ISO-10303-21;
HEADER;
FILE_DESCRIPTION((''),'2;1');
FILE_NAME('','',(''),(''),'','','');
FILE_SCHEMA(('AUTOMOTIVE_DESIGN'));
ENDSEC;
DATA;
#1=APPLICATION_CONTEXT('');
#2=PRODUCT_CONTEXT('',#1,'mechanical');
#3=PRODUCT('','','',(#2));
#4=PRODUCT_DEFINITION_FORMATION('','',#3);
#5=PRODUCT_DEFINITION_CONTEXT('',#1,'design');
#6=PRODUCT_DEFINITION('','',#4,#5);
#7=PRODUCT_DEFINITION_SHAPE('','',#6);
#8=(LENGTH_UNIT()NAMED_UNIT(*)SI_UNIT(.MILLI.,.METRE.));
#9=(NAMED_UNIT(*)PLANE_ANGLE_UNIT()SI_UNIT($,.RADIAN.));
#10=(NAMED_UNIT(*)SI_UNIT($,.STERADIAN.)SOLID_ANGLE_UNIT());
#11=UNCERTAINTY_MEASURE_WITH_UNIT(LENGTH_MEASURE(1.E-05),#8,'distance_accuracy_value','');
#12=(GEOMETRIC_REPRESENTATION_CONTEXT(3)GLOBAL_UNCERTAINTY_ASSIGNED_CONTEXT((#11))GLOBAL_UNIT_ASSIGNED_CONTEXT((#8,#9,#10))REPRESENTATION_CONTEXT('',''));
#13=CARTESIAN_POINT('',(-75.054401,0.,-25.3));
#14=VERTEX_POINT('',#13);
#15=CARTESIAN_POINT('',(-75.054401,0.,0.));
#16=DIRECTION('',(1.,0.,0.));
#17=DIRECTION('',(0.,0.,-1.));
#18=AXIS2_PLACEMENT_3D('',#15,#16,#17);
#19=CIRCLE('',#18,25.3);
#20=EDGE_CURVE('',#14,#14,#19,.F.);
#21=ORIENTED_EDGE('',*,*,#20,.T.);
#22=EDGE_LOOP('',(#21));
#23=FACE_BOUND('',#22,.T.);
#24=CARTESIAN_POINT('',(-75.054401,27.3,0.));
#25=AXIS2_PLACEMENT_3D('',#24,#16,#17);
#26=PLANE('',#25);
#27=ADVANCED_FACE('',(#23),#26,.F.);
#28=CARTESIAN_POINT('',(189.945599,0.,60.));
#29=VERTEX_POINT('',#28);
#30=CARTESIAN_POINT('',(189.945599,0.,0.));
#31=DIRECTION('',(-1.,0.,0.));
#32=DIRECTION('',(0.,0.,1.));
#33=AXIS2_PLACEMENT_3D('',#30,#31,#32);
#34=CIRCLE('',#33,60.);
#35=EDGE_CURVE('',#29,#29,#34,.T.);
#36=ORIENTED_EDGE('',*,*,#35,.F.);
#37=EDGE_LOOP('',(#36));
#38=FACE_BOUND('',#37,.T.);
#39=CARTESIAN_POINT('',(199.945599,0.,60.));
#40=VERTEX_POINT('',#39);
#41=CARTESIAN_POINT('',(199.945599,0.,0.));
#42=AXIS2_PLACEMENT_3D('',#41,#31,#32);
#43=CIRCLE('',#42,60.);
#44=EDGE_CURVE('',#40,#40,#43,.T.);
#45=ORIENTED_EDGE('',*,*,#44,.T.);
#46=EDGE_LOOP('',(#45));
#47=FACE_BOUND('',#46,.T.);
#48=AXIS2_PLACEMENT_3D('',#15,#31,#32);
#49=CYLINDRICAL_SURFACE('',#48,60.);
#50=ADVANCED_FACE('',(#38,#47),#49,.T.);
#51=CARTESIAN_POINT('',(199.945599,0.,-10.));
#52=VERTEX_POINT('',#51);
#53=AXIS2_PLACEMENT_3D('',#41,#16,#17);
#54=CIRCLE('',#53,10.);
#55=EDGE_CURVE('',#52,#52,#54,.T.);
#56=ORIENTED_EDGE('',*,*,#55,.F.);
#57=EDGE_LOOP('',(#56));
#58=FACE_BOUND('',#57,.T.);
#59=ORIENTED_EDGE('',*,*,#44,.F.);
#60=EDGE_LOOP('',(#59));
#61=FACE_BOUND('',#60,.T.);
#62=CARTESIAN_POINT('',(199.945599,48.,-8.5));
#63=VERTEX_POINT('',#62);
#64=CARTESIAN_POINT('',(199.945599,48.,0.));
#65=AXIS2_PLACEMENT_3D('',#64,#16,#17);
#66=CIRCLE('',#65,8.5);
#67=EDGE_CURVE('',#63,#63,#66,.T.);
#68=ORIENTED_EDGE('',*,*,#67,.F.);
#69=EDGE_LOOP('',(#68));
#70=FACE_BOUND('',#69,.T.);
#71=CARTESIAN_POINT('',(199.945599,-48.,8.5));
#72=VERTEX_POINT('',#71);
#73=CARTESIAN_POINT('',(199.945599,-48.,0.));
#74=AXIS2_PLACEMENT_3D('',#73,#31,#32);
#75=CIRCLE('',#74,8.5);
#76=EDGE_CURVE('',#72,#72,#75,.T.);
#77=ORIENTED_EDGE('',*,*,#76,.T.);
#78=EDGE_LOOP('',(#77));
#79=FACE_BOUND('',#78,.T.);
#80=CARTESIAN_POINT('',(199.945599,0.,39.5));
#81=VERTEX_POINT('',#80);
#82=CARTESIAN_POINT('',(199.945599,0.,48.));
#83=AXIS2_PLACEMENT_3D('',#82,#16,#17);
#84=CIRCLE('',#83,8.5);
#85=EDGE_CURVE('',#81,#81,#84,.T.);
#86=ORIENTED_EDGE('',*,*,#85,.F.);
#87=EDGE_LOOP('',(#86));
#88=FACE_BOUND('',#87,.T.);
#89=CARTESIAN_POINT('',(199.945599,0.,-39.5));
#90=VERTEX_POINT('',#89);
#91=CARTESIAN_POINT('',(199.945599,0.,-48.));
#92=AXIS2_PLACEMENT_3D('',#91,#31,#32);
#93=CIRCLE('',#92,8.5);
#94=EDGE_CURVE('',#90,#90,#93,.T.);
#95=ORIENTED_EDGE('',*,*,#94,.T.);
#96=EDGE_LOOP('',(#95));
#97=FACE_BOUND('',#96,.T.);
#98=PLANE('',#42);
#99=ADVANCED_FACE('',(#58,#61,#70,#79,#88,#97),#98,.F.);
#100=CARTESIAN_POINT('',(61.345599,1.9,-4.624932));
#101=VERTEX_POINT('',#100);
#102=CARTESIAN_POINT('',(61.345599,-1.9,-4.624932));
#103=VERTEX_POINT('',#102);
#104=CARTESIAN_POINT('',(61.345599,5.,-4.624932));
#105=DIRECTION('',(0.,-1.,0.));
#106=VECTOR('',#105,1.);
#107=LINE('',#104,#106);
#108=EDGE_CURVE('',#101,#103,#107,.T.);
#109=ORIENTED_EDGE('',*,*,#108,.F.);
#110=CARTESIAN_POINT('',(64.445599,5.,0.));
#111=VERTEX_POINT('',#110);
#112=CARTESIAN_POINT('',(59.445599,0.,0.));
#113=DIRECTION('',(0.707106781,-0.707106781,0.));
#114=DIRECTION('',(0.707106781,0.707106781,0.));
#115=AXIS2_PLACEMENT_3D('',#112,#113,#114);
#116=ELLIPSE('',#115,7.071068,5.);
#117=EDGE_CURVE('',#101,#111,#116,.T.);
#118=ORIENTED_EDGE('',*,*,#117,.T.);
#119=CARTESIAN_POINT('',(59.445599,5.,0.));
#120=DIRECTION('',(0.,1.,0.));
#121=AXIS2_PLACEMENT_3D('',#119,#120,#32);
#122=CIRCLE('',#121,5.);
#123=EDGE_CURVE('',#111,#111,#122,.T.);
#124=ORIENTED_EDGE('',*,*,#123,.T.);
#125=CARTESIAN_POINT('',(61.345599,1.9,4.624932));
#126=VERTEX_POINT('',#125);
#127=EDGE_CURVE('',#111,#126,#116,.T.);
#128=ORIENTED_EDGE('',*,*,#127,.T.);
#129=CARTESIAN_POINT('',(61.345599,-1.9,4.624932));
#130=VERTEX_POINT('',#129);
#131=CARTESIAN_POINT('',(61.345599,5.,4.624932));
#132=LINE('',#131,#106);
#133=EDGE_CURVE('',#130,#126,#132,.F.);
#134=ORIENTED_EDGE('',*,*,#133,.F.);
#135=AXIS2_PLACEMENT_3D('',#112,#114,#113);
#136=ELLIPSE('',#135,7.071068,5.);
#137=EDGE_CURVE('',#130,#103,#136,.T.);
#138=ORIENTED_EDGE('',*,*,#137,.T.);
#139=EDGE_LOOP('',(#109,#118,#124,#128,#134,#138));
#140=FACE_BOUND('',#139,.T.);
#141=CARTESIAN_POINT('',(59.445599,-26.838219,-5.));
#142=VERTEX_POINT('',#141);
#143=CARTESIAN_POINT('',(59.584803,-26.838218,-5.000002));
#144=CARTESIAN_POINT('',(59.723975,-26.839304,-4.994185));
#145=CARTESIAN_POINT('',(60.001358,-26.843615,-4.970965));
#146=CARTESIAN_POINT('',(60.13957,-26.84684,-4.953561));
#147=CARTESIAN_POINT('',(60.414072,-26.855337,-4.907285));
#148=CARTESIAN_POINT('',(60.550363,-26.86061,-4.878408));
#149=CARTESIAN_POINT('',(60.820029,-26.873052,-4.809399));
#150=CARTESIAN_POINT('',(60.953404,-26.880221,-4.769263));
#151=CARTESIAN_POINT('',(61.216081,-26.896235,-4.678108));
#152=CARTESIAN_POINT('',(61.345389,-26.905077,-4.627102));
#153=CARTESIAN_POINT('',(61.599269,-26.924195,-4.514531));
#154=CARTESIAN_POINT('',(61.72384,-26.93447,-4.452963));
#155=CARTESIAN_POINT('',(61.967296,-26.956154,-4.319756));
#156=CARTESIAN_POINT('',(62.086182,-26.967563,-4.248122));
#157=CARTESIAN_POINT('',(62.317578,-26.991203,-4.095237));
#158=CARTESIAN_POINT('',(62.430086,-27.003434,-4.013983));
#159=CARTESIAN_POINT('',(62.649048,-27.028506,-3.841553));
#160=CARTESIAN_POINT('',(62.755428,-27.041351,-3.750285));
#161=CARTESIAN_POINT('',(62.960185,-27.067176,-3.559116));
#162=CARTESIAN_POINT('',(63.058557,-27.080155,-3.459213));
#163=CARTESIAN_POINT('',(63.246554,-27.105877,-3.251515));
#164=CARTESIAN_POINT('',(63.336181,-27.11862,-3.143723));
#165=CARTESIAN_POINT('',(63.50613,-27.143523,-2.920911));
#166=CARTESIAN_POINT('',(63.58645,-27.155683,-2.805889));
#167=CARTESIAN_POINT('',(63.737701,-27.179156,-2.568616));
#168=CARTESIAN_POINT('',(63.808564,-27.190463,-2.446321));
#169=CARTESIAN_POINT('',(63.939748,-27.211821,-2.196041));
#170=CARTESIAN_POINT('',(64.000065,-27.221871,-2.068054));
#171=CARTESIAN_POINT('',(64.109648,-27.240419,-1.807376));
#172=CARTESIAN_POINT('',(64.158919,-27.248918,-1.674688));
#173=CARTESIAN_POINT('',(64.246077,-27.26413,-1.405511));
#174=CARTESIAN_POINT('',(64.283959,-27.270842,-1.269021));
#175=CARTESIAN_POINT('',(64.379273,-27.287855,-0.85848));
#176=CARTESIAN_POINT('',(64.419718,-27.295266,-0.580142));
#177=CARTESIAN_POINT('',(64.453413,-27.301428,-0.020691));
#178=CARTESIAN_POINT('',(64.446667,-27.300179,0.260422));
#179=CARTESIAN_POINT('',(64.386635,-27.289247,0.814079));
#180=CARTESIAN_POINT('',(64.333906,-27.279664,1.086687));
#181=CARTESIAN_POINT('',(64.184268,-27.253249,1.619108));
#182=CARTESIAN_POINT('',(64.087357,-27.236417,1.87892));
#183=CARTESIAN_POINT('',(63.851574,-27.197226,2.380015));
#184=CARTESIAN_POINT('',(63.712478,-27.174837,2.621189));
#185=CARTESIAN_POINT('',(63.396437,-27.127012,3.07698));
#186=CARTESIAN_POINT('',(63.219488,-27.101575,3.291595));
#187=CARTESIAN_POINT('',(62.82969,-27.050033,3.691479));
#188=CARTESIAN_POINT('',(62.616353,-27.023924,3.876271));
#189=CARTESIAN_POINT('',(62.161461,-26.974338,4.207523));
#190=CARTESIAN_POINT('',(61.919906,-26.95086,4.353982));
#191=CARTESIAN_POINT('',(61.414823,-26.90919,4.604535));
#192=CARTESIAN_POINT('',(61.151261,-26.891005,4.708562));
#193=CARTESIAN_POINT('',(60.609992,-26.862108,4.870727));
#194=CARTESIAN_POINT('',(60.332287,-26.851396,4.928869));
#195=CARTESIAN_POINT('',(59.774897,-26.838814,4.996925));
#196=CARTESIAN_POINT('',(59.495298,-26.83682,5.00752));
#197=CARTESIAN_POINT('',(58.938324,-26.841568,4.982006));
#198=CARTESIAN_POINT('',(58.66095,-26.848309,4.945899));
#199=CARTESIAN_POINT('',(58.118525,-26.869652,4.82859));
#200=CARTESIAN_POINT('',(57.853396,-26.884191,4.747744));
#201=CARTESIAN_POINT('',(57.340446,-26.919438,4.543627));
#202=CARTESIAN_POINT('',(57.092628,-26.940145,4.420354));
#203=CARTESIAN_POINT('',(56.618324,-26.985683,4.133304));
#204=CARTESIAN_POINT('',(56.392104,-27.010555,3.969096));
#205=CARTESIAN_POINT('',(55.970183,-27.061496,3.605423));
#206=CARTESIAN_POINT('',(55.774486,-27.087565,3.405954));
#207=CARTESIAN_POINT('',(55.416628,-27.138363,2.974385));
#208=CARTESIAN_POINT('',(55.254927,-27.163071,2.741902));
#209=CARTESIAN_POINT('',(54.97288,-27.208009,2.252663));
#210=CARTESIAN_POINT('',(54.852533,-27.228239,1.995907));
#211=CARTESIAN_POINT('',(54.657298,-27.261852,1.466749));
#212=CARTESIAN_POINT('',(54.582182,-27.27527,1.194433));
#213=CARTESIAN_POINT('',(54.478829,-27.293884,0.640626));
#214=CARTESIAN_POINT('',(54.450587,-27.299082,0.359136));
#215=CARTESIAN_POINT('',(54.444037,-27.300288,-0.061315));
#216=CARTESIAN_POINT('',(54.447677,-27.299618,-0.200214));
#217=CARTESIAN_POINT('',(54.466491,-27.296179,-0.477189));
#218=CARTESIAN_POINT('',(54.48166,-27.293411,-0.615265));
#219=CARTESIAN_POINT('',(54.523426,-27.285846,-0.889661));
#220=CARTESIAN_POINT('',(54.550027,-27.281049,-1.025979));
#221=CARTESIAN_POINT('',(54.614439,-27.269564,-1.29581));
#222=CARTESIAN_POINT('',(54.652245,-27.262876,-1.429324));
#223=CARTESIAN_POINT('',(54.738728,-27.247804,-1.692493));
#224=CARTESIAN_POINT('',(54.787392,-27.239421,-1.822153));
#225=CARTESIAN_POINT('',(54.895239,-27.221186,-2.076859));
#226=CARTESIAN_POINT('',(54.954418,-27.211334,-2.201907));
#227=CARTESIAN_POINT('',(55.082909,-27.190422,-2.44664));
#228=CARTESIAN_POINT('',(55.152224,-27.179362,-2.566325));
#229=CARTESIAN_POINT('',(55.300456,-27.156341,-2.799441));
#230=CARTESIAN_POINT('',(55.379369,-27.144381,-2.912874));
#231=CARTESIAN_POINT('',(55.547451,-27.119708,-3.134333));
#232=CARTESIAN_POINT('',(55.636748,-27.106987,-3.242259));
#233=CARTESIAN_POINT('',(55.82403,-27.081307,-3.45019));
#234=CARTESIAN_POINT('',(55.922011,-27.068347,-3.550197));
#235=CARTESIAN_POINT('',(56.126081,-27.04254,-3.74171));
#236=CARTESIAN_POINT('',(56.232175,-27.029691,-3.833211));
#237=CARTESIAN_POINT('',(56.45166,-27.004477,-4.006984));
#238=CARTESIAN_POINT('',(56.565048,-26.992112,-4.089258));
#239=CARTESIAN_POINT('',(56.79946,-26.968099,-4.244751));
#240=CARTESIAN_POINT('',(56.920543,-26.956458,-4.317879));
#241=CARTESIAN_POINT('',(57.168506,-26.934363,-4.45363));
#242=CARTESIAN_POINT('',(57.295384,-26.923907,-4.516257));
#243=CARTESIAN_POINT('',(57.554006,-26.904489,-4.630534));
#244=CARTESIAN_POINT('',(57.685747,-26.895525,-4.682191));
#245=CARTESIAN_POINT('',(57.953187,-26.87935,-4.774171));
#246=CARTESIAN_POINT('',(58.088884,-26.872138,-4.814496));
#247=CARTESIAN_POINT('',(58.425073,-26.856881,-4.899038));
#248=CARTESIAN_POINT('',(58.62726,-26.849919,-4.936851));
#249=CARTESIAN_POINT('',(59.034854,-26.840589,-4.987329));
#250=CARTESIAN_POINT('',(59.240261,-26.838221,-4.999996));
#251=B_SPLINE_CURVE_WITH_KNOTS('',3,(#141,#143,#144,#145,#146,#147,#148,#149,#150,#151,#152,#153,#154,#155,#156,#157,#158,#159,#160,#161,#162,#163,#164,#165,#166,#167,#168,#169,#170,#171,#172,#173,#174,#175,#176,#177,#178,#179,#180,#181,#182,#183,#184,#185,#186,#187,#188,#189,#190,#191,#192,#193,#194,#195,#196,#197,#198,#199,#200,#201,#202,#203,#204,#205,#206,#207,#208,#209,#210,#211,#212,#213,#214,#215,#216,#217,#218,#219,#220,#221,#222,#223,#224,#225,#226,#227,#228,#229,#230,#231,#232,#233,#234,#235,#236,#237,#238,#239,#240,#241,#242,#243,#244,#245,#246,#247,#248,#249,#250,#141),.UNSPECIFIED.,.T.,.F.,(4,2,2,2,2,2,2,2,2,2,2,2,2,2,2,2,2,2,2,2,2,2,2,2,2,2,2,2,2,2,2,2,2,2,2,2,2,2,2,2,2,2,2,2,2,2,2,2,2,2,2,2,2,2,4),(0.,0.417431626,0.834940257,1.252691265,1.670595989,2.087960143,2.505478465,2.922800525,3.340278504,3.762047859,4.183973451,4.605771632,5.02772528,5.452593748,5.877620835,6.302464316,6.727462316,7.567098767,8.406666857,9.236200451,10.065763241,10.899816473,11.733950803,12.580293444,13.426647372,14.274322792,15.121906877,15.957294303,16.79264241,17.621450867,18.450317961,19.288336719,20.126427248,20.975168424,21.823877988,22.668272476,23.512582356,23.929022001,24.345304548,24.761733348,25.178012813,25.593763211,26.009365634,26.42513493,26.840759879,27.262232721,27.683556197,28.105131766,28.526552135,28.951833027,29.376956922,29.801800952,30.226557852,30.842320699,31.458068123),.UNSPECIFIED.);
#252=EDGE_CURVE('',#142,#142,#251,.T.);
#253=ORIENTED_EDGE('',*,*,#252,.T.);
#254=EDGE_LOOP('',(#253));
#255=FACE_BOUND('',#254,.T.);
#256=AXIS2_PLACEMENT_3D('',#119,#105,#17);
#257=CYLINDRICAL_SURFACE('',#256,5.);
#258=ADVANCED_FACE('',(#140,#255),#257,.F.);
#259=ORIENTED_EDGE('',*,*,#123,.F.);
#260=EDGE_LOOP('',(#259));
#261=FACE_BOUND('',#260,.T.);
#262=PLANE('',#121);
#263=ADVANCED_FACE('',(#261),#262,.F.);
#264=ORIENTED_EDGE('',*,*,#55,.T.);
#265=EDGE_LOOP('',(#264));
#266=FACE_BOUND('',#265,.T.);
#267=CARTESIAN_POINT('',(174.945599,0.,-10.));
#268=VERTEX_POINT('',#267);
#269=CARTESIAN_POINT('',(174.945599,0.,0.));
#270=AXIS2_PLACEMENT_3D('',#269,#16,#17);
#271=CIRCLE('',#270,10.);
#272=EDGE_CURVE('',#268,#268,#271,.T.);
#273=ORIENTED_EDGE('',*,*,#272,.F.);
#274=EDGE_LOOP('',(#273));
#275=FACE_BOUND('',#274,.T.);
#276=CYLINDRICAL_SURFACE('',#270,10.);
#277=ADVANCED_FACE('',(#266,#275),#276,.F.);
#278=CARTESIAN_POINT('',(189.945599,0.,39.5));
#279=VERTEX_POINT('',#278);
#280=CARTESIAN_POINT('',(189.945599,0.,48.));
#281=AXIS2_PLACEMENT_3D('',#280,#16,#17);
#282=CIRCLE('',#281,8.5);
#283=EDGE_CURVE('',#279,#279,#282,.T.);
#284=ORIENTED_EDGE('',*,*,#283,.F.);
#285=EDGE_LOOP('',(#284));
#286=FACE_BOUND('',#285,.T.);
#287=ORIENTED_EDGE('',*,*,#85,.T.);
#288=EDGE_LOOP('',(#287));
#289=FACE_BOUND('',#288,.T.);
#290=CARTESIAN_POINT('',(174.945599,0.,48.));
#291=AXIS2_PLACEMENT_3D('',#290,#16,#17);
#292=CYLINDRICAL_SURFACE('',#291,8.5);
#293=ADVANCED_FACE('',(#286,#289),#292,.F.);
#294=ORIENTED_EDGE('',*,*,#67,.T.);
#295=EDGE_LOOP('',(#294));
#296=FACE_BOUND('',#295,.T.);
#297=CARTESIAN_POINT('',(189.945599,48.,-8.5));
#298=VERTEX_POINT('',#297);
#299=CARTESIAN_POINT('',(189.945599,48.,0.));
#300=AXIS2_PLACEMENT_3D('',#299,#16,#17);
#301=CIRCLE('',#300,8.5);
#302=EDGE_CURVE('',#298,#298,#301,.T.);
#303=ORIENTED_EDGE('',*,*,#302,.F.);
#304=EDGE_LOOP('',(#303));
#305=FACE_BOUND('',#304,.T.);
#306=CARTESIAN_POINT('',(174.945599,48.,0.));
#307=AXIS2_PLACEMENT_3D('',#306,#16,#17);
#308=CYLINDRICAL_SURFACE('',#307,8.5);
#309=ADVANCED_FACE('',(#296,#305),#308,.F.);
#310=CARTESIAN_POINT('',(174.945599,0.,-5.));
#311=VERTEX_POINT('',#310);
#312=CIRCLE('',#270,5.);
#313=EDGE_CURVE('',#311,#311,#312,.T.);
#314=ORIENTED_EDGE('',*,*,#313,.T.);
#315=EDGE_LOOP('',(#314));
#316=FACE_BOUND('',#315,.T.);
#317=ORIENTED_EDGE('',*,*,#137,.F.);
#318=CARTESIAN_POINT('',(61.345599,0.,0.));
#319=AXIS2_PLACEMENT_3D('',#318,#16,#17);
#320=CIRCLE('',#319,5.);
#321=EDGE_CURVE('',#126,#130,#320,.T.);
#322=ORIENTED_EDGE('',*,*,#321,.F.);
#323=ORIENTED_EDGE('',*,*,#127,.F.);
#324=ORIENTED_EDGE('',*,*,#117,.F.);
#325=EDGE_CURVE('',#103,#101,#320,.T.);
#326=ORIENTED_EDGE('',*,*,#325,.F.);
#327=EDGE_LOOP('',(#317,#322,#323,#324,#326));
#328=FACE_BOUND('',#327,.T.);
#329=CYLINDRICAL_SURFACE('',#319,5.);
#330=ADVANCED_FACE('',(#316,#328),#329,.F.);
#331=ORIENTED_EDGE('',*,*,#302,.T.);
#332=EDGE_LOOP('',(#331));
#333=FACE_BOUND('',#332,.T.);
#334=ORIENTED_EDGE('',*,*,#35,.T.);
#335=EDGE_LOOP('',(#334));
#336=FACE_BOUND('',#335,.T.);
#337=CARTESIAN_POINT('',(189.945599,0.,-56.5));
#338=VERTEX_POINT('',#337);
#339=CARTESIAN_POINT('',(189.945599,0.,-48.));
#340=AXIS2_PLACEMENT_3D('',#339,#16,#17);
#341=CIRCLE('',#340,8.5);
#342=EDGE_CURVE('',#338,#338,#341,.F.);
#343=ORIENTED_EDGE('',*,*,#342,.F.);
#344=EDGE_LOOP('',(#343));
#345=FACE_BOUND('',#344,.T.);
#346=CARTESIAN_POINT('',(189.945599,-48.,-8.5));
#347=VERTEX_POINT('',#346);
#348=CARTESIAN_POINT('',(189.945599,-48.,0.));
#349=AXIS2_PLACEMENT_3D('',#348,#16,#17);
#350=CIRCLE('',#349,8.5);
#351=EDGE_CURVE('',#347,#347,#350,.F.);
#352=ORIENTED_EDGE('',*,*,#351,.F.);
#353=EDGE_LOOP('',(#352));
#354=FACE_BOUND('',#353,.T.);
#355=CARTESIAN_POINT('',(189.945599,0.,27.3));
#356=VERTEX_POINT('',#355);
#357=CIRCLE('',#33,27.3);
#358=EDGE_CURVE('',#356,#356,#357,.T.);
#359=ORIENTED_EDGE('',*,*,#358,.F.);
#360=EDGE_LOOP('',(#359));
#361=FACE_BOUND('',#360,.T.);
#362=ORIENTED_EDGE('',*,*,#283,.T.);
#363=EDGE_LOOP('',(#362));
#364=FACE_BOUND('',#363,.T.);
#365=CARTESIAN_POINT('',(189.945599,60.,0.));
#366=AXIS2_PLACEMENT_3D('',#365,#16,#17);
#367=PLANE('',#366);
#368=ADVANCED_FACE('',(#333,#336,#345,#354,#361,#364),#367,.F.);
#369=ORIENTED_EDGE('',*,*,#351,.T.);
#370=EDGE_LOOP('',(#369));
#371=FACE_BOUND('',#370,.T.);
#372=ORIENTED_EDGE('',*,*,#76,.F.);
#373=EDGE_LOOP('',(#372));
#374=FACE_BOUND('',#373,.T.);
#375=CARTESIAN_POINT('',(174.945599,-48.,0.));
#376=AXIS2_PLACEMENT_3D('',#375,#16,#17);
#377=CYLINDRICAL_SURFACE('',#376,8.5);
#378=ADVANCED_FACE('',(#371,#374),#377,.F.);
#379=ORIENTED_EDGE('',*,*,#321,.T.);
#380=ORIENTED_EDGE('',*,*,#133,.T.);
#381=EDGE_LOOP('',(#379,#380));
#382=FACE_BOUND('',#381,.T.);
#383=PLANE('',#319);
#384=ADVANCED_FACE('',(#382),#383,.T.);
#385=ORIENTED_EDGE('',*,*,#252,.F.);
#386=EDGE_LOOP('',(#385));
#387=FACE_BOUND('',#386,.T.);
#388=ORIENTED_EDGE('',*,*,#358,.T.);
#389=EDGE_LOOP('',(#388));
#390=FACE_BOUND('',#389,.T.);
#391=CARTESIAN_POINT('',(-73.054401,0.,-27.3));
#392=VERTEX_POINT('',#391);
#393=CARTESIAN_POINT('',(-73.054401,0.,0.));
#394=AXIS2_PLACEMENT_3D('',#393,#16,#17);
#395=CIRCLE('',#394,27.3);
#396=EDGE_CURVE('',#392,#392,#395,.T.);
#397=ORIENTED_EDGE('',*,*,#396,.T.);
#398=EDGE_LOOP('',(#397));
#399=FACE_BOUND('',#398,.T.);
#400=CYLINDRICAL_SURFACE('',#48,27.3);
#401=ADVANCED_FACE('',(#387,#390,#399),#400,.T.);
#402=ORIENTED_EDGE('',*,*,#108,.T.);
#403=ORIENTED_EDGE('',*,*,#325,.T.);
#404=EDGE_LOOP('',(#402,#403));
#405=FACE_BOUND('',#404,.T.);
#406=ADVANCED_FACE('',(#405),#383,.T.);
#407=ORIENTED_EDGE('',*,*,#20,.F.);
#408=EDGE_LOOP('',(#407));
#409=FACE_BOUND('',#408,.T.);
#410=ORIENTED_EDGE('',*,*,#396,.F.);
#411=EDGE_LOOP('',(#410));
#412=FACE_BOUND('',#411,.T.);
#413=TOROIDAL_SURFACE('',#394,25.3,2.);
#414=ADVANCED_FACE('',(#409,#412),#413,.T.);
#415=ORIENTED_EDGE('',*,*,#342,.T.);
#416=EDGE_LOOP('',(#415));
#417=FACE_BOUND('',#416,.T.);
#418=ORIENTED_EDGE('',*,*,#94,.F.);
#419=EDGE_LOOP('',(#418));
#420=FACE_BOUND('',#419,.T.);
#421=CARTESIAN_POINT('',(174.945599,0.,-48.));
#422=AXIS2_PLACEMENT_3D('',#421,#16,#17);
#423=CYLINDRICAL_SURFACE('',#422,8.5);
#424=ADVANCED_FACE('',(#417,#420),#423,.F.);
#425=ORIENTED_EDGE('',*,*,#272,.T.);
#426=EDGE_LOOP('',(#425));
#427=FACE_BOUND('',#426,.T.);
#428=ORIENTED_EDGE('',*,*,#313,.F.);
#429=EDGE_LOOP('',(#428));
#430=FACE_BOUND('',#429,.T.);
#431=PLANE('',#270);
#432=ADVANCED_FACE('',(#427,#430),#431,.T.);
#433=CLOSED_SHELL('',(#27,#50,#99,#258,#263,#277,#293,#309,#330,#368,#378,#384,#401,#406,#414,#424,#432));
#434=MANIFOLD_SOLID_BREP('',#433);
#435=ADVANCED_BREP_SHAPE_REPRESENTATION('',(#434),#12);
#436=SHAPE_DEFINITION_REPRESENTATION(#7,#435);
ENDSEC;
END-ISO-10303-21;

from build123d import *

# Parameters (mm, degrees)
ESQUISSE2_R                  = 8.5
ESQUISSE2_R_2                = 10
ENL_V_MAT_EXTRU_1_DEPTH      = 25
ESQUISSE3_R                  = 5
ENL_V_MAT_EXTRU_2_DEPTH      = 113.6
CONG_1_R                     = 2
ENL_V_MAT_EXTRU_3_DEPTH      = 5
ENL_V_MAT_EXTRU_3_DEPTH_BACK = 105.5
ESQUISSE4_R                  = 5


with BuildPart() as part:
    # Esquisse1 → Révolution1 (revolve)
    with BuildSketch(Plane.XY, mode=Mode.PRIVATE) as r_volution1_sk:
        Polygon((-75.054401386, 0), (199.945598614, 0), (199.945598614, 60), (189.945598614, 60), (189.945598614, 27.3), (-75.054401386, 27.3), align=None)
    revolve(r_volution1_sk.sketch.rotate(Axis((-75.054401386, 0, 0), (1, 0, 0)), 90), axis=Axis((-75.054401386, 0, 0), (1, 0, 0)))

    # Esquisse2 → Enlèv. mat.-Extru.1 (cut)
    with BuildSketch(Plane(origin=(199.945598614, 0, 0), x_dir=(0, 0, -1), z_dir=(1, 0, 0))):
        with Locations((0, 48)):
            Circle(ESQUISSE2_R)
        with Locations((0, -48)):
            Circle(ESQUISSE2_R)
        with Locations((-48, 0)):
            Circle(ESQUISSE2_R)
        with Locations((48, 0)):
            Circle(ESQUISSE2_R)
        Circle(ESQUISSE2_R_2)
    extrude(amount=-ENL_V_MAT_EXTRU_1_DEPTH, mode=Mode.SUBTRACT)

    # Esquisse3 → Enlèv. mat.-Extru.2 (cut)
    with BuildSketch(Plane(origin=(174.945598614, 0, 0), x_dir=(0, 0, -1), z_dir=(1, 0, 0))):
        Circle(ESQUISSE3_R)
    extrude(amount=-ENL_V_MAT_EXTRU_2_DEPTH, mode=Mode.SUBTRACT)

    # Congé1
    cong_1_edges = [part.edges().sort_by_distance(p)[0] for p in [
        (-75.054401386, 0, -27.3),
    ]]
    fillet(cong_1_edges, radius=CONG_1_R)

    # Esquisse4 → Enlèv. mat.-Extru.3 (cut, two sides: drawn at the far end of the back side and taken through both)
    with BuildSketch(Plane(origin=(0, 0, 0), x_dir=(1, 0, 0), z_dir=(0, 1, 0)).offset(-ENL_V_MAT_EXTRU_3_DEPTH_BACK)):
        with Locations(Location((59.445598614, 0, 0), (0, 0, 90))):
            Circle(ESQUISSE4_R)
    extrude(amount=ENL_V_MAT_EXTRU_3_DEPTH + ENL_V_MAT_EXTRU_3_DEPTH_BACK, mode=Mode.SUBTRACT)


solid = part.part
